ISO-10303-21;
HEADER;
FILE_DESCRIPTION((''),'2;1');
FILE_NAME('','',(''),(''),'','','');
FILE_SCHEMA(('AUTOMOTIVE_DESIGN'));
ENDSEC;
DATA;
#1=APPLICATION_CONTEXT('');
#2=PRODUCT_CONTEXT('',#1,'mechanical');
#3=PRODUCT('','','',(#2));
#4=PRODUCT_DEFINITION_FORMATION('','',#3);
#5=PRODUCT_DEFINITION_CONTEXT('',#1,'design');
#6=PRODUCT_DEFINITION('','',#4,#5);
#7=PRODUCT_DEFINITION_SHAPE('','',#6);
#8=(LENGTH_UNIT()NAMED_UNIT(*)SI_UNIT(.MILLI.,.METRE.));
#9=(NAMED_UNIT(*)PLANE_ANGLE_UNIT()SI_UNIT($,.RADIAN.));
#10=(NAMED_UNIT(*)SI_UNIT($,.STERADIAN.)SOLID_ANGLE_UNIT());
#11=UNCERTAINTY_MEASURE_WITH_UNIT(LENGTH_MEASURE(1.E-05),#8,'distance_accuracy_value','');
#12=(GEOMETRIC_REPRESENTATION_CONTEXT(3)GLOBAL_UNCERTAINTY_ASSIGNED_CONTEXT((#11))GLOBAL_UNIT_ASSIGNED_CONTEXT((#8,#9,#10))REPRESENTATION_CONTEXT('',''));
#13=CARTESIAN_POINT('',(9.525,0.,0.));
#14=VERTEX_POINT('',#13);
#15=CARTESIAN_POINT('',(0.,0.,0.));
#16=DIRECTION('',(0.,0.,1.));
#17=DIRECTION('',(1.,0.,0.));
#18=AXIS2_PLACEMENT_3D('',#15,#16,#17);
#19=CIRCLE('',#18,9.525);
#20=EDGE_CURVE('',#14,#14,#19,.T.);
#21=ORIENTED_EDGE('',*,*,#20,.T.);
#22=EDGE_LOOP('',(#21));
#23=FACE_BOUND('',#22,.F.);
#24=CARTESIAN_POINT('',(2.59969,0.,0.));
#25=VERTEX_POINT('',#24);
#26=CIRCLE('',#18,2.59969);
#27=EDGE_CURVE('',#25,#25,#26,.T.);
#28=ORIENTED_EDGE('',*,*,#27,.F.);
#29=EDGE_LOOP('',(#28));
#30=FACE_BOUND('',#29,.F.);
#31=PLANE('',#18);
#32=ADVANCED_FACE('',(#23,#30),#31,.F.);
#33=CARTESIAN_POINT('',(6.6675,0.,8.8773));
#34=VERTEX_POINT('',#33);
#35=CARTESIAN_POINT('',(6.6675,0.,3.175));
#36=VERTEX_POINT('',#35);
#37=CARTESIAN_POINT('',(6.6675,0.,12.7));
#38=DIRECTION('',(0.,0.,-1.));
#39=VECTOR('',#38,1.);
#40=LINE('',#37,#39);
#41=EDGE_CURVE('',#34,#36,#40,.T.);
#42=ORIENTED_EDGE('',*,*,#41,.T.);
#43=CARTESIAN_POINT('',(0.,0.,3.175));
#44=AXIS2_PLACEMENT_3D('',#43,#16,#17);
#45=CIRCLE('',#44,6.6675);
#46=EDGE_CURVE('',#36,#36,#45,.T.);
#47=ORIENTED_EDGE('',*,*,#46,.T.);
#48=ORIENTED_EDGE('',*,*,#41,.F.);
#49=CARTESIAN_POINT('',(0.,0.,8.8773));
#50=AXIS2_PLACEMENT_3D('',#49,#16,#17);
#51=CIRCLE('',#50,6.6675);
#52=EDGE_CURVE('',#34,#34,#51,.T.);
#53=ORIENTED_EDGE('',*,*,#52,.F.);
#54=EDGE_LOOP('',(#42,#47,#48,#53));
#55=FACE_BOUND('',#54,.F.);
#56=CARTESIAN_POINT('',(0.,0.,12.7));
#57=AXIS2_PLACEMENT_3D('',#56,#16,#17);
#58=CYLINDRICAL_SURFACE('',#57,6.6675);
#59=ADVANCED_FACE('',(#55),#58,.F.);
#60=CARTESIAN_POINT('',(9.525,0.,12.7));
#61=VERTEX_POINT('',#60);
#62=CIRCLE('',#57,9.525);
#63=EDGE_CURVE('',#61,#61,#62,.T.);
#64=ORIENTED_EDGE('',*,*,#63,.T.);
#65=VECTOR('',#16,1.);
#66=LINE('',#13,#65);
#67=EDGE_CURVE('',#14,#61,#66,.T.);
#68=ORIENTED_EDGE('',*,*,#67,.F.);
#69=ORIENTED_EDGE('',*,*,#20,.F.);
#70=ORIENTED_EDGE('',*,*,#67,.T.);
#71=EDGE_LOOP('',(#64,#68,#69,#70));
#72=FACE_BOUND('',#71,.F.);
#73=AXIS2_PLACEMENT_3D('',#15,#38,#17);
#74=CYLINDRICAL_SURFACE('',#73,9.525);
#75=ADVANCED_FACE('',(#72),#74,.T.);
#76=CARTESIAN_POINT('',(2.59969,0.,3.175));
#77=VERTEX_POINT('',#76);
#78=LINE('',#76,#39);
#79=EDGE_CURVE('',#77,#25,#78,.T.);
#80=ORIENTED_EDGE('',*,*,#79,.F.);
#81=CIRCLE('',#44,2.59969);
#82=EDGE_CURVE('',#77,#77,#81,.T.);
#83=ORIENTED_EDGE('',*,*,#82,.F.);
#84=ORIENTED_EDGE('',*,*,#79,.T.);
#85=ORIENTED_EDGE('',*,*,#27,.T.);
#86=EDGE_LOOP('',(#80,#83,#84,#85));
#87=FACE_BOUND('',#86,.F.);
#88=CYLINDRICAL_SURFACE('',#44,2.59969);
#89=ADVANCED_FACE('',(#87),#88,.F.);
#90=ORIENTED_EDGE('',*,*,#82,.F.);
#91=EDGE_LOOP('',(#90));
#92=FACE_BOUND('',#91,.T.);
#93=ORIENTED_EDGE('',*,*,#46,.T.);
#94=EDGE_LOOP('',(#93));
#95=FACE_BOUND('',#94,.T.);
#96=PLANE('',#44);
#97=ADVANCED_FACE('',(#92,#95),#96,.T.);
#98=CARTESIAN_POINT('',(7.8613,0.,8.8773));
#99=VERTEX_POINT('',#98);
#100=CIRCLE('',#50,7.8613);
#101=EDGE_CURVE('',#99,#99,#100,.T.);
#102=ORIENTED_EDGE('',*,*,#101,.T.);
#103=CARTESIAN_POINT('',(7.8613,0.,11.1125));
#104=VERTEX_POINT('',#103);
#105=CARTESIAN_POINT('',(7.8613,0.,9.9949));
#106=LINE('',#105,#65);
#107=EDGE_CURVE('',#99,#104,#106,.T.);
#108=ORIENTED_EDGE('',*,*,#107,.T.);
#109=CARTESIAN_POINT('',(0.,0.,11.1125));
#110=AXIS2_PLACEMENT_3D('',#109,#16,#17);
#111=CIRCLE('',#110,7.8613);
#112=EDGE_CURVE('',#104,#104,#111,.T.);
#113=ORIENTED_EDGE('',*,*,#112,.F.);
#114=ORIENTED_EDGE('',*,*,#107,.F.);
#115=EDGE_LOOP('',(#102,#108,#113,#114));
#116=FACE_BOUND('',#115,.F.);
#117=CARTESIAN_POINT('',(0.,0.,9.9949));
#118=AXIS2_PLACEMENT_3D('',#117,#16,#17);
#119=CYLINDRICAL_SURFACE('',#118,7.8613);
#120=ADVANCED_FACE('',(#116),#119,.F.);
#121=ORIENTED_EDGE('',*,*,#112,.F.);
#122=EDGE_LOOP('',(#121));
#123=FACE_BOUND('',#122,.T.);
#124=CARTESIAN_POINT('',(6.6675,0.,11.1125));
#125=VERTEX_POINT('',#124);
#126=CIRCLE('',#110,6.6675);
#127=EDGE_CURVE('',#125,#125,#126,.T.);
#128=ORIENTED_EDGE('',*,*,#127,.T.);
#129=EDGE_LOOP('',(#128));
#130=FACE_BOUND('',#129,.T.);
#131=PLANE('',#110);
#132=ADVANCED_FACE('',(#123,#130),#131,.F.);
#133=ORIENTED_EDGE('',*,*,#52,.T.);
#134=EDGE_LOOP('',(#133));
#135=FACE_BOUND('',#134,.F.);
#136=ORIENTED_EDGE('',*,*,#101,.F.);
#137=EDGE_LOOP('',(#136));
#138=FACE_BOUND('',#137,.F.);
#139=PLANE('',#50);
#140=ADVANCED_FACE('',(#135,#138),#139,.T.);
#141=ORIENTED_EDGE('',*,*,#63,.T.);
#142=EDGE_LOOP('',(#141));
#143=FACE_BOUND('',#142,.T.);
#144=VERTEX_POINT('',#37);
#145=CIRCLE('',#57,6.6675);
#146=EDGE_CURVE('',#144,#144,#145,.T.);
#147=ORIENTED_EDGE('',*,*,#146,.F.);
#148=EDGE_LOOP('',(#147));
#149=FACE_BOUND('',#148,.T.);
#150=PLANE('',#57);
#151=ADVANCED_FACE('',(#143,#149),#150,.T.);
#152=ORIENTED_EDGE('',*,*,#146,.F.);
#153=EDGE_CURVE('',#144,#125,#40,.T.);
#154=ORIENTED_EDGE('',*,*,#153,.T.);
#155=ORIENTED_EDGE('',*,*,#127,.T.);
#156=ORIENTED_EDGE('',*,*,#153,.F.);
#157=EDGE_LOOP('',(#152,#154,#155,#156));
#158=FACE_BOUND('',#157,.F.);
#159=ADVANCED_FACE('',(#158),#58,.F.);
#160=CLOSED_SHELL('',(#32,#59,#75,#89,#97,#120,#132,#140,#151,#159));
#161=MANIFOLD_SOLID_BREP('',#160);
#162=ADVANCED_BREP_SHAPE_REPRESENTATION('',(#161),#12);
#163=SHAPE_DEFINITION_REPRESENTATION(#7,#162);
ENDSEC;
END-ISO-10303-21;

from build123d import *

# Parameters (mm, degrees)
F0_R     = 9.525
F1_DEPTH = 12.7
F2_R     = 6.6675
F3_DEPTH = 9.525
F4_R     = 2.59969
F5_DEPTH = 25.4
F6_W     = 1.1938
F6_H     = 2.2352


with BuildPart() as f1:
    # F0 (on Top) → F1 (new body)
    with BuildSketch(Plane.XY):
        Circle(F0_R)
    extrude(amount=F1_DEPTH)

    # F2 (on face) → F3 (cut)
    with BuildSketch(Plane.XY.offset(12.7)):
        Circle(F2_R)
    extrude(amount=-F3_DEPTH, mode=Mode.SUBTRACT)

    # F4 (on face) → F5 (cut)
    with BuildSketch(Plane.XY.offset(3.175)):
        Circle(F4_R)
    extrude(amount=-F5_DEPTH, mode=Mode.SUBTRACT)

    # F6 (on Front) → F7 (revolve, cut)
    with BuildSketch(Plane.XZ):
        with Locations((7.2644, 9.9949)):
            Rectangle(F6_W, F6_H)
    revolve(axis=Axis((0, 0, 19.022157), (0, 0, 1)), mode=Mode.SUBTRACT)


solid = f1.part
